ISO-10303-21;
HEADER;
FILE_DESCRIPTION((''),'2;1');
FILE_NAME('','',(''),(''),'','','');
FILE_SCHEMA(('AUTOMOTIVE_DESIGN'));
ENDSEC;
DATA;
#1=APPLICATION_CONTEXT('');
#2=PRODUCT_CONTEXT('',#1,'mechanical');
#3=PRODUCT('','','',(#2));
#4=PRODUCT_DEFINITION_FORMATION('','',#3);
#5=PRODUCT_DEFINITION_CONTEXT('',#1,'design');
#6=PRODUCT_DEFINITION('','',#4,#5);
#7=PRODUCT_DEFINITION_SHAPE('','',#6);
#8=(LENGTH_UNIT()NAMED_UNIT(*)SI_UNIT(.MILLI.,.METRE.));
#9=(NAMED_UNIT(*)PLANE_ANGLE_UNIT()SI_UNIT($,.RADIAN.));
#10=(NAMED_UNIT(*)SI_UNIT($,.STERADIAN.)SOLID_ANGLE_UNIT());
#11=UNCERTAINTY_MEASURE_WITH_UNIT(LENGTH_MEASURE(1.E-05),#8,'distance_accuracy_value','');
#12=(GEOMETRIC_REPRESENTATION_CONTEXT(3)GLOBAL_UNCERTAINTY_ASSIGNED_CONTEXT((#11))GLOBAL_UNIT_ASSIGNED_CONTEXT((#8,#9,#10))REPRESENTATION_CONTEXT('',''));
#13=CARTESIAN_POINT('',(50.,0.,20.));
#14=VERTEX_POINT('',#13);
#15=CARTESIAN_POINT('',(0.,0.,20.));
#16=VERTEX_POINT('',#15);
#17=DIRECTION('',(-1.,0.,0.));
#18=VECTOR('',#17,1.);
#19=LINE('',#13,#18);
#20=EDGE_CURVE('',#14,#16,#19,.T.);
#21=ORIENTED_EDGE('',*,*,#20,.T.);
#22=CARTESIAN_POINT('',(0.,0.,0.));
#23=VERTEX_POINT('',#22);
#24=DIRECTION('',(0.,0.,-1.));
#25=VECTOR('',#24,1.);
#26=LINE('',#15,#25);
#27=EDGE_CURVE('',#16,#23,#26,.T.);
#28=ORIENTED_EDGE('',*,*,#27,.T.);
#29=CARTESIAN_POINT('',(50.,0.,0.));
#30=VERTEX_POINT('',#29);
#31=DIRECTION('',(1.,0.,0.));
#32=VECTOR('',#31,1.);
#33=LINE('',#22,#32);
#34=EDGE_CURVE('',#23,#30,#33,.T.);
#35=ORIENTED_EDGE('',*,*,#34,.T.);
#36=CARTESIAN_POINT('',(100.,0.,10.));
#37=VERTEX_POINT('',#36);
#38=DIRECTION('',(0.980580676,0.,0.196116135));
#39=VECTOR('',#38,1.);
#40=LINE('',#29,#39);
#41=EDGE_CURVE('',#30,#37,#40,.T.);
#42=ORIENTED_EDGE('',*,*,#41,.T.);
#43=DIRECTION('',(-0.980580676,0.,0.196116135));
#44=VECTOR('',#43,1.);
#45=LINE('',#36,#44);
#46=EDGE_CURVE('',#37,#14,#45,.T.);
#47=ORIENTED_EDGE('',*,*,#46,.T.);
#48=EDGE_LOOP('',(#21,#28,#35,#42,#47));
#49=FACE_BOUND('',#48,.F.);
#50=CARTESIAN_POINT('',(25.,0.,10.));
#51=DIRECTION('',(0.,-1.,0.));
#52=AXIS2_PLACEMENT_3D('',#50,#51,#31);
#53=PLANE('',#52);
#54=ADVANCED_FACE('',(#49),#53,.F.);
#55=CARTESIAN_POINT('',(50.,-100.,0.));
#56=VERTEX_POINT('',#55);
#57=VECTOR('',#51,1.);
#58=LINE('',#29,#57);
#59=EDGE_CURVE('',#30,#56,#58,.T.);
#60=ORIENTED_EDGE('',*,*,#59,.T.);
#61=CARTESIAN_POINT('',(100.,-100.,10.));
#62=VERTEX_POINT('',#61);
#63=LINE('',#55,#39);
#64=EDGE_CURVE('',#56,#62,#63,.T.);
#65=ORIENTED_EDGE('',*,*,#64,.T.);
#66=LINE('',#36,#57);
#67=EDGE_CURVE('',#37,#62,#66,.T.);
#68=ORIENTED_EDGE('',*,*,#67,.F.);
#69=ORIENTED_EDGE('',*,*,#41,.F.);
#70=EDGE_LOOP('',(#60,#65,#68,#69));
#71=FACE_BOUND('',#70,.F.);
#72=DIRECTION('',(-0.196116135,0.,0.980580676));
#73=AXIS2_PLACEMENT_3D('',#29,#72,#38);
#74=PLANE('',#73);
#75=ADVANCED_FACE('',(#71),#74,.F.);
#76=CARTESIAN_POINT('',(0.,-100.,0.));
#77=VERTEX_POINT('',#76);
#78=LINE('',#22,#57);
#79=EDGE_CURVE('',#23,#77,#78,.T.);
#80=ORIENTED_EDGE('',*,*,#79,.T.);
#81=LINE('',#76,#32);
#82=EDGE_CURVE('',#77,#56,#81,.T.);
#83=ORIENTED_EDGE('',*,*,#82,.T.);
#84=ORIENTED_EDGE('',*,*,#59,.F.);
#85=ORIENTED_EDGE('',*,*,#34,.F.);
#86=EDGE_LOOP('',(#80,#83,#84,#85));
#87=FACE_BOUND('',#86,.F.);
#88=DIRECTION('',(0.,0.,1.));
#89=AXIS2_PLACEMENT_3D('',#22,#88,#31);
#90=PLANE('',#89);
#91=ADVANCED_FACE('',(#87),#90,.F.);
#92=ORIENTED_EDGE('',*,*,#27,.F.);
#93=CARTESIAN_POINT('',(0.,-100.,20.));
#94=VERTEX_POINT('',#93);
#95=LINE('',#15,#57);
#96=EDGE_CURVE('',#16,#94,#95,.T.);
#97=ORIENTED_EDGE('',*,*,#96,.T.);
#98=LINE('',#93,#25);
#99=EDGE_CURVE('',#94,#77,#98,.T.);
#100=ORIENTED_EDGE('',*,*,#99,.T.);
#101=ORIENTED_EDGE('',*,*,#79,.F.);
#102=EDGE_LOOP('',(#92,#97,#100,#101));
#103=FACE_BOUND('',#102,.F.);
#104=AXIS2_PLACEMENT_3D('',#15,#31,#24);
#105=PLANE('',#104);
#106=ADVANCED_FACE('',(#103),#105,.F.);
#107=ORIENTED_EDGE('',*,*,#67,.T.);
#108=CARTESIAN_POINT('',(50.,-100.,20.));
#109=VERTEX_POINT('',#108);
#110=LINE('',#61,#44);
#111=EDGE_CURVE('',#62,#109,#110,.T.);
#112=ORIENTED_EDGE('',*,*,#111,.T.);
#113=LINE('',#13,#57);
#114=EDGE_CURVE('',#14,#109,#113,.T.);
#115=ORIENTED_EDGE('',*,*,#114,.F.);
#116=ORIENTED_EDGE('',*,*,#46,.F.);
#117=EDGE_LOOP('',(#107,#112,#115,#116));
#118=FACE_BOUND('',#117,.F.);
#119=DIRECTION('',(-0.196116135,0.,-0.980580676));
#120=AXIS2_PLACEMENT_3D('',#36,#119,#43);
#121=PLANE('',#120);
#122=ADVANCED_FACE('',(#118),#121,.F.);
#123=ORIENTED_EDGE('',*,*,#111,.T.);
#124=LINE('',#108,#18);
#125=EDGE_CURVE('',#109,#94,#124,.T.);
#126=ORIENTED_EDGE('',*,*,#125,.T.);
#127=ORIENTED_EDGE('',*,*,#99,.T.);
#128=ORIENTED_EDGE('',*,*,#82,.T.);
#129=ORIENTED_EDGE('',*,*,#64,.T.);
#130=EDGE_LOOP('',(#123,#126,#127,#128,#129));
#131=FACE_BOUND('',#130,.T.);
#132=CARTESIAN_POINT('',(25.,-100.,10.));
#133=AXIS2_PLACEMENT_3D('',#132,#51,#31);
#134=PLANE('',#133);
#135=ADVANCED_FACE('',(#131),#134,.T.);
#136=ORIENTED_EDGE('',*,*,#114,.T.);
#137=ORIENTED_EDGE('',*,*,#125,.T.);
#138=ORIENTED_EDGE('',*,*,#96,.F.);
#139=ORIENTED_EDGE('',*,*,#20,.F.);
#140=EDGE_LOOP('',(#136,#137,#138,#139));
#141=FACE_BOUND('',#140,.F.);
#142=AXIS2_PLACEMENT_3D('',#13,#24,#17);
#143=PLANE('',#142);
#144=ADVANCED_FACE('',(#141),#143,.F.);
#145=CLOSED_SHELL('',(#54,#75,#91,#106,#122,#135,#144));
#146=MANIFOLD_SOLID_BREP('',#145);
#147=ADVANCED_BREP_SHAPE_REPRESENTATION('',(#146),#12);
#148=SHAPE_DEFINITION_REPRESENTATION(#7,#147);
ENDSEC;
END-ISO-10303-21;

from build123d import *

# Parameters (mm, degrees)
F1_DEPTH = 100


with BuildPart() as f1:
    # F0 (on Front) → F1 (new body)
    with BuildSketch(Plane.XZ):
        Polygon((0, 20), (0, 0), (50, 0), (50, 10), (50, 20), align=None)
        Polygon((50, 20), (50, 10), (100, 10), align=None)
        Polygon((50, 10), (50, 0), (100, 10), align=None)
    extrude(amount=F1_DEPTH)


solid = f1.part
